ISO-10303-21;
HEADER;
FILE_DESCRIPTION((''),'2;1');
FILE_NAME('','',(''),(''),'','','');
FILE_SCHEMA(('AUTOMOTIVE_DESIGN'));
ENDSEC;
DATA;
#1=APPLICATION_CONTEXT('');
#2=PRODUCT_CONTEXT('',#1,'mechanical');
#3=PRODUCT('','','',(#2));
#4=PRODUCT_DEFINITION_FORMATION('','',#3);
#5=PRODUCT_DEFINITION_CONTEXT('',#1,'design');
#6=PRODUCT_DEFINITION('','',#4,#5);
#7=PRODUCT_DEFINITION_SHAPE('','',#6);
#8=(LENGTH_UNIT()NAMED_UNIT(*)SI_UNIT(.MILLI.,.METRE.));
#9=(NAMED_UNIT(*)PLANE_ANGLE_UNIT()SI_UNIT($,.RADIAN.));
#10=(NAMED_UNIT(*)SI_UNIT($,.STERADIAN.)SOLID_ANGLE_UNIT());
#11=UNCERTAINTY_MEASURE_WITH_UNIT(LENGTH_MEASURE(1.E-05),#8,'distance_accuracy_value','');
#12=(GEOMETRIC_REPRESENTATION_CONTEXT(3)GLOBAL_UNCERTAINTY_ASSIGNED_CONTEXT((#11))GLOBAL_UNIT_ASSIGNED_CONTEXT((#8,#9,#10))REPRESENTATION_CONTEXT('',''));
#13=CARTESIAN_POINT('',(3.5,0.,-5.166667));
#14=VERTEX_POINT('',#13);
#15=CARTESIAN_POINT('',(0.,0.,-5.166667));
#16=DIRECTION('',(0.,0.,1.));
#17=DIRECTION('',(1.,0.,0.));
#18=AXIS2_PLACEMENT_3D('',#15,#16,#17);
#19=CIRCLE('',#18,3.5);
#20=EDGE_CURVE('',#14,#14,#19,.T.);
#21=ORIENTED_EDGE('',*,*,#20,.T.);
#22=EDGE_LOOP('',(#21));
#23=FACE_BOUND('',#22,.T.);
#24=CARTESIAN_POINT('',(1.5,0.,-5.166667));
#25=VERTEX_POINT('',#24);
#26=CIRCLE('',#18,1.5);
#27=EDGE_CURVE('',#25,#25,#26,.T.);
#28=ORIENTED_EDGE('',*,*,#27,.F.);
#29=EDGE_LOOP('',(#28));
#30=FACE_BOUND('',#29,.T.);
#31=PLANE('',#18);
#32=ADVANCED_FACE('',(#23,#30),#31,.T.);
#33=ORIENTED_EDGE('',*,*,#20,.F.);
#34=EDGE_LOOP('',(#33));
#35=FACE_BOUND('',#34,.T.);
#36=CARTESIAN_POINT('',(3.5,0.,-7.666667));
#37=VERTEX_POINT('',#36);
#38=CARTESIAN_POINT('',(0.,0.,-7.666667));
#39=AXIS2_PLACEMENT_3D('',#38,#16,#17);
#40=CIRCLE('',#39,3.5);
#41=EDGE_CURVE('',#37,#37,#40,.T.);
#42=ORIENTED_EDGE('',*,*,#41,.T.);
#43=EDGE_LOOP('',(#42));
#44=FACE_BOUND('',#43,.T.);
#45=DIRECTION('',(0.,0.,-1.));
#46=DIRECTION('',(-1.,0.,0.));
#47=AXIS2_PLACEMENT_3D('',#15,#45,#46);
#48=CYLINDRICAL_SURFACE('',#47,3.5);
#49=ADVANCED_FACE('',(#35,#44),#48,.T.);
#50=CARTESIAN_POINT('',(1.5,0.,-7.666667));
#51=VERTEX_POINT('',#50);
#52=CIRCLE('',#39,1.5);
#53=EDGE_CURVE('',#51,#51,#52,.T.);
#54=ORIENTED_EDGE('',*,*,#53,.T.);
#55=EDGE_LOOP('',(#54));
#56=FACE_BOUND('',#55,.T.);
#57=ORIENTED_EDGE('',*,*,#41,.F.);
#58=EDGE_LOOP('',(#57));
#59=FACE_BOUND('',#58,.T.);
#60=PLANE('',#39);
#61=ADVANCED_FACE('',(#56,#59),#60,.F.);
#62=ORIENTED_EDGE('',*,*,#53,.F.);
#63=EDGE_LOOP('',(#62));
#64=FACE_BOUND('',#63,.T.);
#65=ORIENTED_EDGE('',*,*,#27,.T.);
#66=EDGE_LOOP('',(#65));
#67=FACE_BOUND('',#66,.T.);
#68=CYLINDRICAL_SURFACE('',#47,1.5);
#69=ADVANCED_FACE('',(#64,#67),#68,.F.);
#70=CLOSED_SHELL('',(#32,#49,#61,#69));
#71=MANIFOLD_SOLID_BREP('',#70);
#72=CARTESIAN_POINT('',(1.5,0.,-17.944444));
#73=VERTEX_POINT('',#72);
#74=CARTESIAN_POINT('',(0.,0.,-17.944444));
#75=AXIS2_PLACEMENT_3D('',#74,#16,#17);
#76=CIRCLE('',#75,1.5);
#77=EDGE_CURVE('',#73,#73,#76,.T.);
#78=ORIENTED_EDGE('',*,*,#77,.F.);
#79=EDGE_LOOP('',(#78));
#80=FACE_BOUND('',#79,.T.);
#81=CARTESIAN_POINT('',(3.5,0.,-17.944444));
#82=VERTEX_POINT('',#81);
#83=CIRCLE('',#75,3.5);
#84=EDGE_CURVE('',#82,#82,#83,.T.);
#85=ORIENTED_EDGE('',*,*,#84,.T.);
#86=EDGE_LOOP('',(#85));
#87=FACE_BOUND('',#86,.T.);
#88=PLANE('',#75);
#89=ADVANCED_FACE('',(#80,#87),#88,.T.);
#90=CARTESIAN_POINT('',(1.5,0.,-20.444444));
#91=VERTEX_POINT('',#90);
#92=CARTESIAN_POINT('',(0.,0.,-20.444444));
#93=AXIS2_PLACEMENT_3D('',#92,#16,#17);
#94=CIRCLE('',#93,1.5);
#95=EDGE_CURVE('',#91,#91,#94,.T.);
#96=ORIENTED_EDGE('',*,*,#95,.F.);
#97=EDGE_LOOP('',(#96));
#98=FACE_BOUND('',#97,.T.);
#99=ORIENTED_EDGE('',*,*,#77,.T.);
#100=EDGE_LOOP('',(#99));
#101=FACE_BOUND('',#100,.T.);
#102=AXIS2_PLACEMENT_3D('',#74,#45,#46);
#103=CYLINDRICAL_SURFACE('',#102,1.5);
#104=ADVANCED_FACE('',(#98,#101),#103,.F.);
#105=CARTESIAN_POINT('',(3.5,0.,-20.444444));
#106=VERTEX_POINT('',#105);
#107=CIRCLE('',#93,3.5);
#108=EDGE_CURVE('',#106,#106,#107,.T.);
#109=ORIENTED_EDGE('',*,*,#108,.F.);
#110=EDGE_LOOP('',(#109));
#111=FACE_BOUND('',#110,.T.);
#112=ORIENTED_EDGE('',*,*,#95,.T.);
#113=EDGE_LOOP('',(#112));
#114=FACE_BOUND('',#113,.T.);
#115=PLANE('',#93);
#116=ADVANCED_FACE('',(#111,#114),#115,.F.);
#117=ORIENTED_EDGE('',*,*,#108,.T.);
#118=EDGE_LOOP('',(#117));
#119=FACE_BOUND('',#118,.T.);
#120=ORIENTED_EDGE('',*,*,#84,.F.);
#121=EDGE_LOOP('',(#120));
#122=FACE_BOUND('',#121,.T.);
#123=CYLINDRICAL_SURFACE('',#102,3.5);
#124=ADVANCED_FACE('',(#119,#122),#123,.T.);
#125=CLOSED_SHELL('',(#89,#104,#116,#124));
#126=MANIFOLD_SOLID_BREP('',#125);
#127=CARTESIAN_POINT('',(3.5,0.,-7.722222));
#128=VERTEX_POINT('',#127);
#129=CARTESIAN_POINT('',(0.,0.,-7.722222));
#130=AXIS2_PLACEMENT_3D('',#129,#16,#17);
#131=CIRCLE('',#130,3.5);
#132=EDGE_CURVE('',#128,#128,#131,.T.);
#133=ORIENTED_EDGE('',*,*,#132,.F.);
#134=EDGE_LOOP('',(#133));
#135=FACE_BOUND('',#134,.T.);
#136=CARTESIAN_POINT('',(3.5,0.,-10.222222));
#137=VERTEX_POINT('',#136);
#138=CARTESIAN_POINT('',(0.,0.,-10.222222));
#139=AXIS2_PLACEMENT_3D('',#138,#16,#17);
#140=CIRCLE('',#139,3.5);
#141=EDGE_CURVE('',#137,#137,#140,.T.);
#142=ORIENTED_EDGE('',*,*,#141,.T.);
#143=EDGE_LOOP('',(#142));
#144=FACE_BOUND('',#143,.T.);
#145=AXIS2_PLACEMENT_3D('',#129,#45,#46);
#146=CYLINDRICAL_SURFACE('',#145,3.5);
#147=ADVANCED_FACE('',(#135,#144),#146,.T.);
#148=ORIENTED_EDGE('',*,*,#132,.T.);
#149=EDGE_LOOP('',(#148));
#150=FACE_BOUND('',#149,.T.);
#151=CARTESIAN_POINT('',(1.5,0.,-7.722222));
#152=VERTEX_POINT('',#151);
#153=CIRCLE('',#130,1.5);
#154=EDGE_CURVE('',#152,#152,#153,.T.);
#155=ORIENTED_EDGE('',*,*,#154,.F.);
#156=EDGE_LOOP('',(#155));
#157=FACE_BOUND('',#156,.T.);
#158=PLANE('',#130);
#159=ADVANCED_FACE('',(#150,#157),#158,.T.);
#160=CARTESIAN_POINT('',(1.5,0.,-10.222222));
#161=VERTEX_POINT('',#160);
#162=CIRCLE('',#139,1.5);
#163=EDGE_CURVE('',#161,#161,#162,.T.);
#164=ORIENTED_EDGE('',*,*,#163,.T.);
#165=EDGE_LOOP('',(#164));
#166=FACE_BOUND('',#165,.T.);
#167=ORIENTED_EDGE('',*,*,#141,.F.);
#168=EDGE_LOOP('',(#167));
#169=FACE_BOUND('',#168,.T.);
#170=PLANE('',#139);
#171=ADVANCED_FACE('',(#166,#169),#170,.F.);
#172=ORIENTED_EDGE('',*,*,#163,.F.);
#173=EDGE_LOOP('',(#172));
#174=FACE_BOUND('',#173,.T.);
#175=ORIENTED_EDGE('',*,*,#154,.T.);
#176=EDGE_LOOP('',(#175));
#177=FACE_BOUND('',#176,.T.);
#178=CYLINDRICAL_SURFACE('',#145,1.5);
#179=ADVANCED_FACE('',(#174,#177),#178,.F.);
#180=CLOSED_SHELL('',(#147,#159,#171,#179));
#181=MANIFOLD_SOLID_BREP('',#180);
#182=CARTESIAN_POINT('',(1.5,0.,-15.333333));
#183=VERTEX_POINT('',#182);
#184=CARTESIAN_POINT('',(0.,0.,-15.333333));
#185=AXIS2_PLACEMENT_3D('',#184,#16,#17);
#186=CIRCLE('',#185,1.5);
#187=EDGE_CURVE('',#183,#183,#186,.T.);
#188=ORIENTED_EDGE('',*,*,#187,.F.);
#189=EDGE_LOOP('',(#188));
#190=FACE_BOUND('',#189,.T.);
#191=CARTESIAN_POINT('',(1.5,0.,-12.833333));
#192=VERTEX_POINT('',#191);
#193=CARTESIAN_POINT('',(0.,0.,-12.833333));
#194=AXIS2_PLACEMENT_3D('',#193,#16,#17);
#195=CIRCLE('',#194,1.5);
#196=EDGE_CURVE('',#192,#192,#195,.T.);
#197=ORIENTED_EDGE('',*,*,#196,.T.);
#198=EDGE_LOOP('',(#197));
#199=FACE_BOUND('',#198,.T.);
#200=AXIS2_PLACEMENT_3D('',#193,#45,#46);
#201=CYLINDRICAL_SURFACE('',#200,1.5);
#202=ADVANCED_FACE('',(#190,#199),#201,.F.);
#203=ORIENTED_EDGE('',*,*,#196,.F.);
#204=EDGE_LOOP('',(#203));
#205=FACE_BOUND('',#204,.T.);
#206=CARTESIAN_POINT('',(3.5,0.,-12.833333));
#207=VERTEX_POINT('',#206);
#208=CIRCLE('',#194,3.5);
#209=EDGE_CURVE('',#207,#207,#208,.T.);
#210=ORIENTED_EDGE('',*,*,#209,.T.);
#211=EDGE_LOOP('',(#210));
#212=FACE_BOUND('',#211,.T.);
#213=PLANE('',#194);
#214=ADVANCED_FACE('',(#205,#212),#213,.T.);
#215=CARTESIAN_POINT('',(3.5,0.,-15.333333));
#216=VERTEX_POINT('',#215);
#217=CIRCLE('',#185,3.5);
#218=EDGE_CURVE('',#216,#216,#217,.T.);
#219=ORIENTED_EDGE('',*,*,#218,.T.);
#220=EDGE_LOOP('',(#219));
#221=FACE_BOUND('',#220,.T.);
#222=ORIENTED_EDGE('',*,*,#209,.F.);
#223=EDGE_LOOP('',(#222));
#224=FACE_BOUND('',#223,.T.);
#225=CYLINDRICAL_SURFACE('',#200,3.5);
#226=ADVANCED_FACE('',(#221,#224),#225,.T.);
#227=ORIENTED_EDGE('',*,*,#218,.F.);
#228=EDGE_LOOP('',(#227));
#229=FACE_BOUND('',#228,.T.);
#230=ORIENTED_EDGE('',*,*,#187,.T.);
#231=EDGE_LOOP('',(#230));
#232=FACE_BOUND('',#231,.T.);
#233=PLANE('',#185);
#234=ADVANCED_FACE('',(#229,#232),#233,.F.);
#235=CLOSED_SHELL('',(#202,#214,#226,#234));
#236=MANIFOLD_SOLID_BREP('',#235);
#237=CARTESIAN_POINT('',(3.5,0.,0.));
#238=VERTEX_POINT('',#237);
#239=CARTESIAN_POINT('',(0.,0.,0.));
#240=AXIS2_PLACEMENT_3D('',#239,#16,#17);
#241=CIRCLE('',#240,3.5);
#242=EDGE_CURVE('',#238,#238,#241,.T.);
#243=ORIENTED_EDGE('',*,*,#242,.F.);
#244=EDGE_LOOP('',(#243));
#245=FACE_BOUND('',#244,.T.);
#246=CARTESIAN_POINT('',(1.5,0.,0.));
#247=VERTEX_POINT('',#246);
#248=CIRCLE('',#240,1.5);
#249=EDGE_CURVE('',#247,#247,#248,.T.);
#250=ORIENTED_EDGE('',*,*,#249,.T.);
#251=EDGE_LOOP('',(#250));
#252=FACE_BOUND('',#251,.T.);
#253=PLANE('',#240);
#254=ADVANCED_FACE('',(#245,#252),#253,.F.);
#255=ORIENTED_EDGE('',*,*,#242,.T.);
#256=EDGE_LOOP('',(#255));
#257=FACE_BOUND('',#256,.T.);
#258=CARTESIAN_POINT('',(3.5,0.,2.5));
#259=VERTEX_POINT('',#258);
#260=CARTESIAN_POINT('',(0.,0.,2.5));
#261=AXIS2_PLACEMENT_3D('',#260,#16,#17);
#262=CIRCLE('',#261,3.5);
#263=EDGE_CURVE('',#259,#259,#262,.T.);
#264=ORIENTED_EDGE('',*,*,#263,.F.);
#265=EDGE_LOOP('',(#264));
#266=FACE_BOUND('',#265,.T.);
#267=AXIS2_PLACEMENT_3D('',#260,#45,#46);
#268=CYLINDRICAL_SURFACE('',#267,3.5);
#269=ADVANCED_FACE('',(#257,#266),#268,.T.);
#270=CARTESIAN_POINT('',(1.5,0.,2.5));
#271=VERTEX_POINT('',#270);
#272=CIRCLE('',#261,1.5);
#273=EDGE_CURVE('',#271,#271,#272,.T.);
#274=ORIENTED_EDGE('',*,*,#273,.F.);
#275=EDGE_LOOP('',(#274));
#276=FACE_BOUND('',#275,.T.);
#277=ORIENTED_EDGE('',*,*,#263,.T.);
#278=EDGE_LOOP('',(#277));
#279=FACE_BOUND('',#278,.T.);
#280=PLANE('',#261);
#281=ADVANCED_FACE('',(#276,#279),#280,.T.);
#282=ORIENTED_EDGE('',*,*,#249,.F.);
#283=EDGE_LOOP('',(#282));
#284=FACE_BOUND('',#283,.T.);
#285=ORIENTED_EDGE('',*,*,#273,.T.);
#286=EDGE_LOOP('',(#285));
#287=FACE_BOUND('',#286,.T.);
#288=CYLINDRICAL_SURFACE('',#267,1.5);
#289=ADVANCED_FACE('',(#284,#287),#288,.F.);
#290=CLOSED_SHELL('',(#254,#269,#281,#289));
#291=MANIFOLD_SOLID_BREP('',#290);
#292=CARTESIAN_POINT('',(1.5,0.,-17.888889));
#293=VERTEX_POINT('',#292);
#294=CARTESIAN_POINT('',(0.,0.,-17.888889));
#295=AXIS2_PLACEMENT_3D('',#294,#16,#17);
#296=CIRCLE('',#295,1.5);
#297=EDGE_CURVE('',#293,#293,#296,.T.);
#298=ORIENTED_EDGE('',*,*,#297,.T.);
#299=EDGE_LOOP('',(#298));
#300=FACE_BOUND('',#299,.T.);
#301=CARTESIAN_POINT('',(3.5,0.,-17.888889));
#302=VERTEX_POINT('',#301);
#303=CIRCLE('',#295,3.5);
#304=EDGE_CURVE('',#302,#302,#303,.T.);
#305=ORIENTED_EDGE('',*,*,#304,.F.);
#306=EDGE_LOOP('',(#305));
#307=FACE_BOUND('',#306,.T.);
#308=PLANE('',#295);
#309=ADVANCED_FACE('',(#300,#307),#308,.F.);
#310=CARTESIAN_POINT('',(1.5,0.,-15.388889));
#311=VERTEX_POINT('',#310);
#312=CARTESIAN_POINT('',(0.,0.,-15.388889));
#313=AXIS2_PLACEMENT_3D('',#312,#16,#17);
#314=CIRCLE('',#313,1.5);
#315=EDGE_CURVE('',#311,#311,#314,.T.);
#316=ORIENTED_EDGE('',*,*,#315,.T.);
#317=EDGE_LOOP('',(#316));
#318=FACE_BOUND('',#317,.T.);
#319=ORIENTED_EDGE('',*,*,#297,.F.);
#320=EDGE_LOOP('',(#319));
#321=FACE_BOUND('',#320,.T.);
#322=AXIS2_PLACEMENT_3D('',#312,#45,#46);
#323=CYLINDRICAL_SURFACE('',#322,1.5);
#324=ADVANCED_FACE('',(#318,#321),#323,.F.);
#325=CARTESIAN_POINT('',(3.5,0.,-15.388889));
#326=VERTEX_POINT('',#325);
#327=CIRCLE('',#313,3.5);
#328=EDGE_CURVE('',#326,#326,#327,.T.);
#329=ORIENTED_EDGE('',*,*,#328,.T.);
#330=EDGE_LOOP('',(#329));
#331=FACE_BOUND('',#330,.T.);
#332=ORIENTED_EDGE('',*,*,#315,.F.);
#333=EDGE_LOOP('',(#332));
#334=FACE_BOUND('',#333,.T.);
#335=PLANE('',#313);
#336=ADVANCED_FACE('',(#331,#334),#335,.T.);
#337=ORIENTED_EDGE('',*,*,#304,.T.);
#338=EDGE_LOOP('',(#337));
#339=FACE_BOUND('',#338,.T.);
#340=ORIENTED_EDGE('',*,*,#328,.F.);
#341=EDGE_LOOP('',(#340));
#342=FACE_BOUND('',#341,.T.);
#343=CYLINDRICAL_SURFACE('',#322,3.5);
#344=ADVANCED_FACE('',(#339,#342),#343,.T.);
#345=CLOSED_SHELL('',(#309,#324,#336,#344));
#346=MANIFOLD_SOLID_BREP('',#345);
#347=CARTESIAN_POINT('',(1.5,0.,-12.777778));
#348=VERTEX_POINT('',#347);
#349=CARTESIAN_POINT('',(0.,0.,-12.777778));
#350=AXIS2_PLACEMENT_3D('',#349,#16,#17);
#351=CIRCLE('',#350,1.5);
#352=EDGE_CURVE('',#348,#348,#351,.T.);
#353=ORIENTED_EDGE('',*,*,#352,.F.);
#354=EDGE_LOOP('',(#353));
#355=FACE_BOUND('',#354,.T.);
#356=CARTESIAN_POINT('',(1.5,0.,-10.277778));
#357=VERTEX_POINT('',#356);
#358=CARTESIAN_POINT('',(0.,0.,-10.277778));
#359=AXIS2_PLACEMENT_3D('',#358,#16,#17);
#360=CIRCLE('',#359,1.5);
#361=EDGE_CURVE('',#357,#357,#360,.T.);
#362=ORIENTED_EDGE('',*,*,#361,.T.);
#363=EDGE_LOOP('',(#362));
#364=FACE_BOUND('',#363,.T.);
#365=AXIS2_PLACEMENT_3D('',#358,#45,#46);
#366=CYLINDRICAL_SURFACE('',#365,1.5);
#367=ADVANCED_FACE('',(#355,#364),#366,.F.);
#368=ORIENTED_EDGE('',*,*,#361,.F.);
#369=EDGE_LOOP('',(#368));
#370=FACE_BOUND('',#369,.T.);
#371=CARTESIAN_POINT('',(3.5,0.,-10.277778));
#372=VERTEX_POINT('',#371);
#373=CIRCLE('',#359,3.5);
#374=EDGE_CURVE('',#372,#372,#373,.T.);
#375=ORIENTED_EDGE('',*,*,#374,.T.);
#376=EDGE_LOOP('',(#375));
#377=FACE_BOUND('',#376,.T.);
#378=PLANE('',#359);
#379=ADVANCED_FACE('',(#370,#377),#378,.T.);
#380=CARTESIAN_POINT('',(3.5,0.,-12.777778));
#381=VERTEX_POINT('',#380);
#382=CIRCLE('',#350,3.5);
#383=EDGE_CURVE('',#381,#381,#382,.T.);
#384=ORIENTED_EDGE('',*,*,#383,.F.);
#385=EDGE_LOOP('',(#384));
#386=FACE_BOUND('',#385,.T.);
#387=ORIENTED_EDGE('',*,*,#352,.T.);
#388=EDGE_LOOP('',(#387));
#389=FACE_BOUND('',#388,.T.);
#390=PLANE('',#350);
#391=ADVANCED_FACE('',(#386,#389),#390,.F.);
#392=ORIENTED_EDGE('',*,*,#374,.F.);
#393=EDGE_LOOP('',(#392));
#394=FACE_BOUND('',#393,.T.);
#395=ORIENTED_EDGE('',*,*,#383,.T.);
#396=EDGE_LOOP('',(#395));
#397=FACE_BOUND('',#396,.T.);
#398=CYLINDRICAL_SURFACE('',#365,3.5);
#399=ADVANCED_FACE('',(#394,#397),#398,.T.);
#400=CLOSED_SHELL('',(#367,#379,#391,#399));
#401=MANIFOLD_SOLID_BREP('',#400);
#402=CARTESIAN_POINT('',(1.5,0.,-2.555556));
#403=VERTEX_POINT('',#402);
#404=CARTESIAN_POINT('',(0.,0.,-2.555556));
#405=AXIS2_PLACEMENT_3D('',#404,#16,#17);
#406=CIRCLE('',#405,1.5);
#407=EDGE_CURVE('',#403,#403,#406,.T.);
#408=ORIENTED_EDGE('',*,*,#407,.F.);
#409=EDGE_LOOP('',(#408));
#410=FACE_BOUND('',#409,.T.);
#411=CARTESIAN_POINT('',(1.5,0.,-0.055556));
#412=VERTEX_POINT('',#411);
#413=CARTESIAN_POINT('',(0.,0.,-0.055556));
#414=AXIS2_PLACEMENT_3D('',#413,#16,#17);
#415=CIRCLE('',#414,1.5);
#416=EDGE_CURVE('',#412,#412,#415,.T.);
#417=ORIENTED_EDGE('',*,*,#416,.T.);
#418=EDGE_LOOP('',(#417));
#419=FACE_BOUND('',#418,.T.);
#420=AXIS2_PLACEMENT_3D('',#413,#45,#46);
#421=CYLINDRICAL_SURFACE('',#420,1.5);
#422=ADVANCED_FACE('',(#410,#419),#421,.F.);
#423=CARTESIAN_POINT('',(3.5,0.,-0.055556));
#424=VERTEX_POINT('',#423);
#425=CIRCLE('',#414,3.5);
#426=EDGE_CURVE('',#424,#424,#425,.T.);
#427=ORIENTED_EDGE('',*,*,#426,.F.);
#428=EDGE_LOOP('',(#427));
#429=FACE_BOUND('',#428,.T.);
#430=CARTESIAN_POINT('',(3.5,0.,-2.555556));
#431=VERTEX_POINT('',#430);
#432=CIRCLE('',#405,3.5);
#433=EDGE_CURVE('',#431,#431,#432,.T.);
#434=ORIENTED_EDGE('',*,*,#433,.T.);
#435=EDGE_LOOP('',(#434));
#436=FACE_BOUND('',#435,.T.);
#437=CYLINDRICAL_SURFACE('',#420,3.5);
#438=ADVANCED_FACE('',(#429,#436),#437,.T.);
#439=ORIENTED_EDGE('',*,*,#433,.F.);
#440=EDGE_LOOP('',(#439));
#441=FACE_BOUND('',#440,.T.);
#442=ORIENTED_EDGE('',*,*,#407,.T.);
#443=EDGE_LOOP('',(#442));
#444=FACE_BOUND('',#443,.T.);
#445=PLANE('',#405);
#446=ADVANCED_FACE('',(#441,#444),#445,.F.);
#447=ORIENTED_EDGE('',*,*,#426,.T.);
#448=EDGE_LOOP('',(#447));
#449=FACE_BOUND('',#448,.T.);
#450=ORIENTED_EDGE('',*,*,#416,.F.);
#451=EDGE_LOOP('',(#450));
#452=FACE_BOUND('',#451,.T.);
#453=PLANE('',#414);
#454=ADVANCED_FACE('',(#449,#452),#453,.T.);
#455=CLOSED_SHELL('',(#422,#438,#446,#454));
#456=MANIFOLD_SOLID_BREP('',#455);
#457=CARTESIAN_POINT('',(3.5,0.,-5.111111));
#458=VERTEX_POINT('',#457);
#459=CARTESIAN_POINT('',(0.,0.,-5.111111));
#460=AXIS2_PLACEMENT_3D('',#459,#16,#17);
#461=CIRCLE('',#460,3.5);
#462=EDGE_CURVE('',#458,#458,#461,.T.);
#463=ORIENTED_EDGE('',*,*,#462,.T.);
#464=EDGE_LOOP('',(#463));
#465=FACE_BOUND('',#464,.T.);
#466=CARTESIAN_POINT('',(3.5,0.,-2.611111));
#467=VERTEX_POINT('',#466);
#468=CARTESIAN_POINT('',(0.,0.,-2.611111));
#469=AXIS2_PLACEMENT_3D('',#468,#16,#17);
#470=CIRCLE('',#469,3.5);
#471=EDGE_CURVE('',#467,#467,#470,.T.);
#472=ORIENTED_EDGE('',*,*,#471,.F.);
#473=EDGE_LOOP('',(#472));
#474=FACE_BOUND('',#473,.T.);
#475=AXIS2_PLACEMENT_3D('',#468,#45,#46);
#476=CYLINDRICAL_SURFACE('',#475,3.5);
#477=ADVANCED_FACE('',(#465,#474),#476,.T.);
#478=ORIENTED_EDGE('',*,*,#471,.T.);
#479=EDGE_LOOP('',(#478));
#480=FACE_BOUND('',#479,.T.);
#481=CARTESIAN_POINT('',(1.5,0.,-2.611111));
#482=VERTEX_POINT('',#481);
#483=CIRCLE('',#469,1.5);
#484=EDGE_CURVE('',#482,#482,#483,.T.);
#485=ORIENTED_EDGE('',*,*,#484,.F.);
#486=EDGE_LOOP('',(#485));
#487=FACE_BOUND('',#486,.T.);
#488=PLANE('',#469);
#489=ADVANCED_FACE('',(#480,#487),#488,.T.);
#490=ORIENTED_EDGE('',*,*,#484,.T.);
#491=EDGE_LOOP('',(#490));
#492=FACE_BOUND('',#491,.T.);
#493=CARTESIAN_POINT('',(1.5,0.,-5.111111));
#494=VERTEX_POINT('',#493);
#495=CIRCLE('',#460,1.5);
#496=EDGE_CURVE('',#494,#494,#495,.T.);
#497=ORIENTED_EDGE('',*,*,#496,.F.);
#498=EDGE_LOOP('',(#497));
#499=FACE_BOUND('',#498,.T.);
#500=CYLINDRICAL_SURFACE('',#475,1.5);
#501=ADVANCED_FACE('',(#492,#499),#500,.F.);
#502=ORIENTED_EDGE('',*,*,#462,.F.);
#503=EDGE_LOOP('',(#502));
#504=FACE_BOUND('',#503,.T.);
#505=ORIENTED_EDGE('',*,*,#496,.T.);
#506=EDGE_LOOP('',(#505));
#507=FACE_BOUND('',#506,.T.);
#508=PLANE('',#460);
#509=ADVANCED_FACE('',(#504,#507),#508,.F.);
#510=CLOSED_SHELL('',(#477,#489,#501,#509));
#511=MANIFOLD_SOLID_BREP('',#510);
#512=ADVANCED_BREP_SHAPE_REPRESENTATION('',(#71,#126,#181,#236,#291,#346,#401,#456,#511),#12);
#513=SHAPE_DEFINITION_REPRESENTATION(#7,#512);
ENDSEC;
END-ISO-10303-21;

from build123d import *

# Parameters (mm, degrees)
SKETCH_1_R             = 3.5
SKETCH_1_R_2           = 1.5
EXTRUDE_1_DEPTH        = 2.5
PATTERN_LINEAR_1_COUNT = 9
PATTERN_LINEAR_1_PITCH = 2.555555556


with BuildPart() as part:
    # 草图1 → 凸台-拉伸1 (new body)
    with BuildSketch(Plane.XY):
        Circle(SKETCH_1_R)
        Circle(SKETCH_1_R_2, mode=Mode.SUBTRACT)
    extrude(amount=EXTRUDE_1_DEPTH)


with BuildPart() as pattern_linear_1_1:
    # 阵列(线性)1: pattern copy
    add(part.part.moved(Location(Vector(0, 0, -1) * (1 * PATTERN_LINEAR_1_PITCH))))


with BuildPart() as pattern_linear_1_2:
    # 阵列(线性)1: pattern copy
    add(part.part.moved(Location(Vector(0, 0, -1) * (2 * PATTERN_LINEAR_1_PITCH))))


with BuildPart() as pattern_linear_1_3:
    # 阵列(线性)1: pattern copy
    add(part.part.moved(Location(Vector(0, 0, -1) * (3 * PATTERN_LINEAR_1_PITCH))))


with BuildPart() as pattern_linear_1_4:
    # 阵列(线性)1: pattern copy
    add(part.part.moved(Location(Vector(0, 0, -1) * (4 * PATTERN_LINEAR_1_PITCH))))


with BuildPart() as pattern_linear_1_5:
    # 阵列(线性)1: pattern copy
    add(part.part.moved(Location(Vector(0, 0, -1) * (5 * PATTERN_LINEAR_1_PITCH))))


with BuildPart() as pattern_linear_1_6:
    # 阵列(线性)1: pattern copy
    add(part.part.moved(Location(Vector(0, 0, -1) * (6 * PATTERN_LINEAR_1_PITCH))))


with BuildPart() as pattern_linear_1_7:
    # 阵列(线性)1: pattern copy
    add(part.part.moved(Location(Vector(0, 0, -1) * (7 * PATTERN_LINEAR_1_PITCH))))


with BuildPart() as pattern_linear_1_8:
    # 阵列(线性)1: pattern copy
    add(part.part.moved(Location(Vector(0, 0, -1) * (8 * PATTERN_LINEAR_1_PITCH))))


solid = Compound([part.part, pattern_linear_1_1.part, pattern_linear_1_2.part, pattern_linear_1_3.part, pattern_linear_1_4.part, pattern_linear_1_5.part, pattern_linear_1_6.part, pattern_linear_1_7.part, pattern_linear_1_8.part])
